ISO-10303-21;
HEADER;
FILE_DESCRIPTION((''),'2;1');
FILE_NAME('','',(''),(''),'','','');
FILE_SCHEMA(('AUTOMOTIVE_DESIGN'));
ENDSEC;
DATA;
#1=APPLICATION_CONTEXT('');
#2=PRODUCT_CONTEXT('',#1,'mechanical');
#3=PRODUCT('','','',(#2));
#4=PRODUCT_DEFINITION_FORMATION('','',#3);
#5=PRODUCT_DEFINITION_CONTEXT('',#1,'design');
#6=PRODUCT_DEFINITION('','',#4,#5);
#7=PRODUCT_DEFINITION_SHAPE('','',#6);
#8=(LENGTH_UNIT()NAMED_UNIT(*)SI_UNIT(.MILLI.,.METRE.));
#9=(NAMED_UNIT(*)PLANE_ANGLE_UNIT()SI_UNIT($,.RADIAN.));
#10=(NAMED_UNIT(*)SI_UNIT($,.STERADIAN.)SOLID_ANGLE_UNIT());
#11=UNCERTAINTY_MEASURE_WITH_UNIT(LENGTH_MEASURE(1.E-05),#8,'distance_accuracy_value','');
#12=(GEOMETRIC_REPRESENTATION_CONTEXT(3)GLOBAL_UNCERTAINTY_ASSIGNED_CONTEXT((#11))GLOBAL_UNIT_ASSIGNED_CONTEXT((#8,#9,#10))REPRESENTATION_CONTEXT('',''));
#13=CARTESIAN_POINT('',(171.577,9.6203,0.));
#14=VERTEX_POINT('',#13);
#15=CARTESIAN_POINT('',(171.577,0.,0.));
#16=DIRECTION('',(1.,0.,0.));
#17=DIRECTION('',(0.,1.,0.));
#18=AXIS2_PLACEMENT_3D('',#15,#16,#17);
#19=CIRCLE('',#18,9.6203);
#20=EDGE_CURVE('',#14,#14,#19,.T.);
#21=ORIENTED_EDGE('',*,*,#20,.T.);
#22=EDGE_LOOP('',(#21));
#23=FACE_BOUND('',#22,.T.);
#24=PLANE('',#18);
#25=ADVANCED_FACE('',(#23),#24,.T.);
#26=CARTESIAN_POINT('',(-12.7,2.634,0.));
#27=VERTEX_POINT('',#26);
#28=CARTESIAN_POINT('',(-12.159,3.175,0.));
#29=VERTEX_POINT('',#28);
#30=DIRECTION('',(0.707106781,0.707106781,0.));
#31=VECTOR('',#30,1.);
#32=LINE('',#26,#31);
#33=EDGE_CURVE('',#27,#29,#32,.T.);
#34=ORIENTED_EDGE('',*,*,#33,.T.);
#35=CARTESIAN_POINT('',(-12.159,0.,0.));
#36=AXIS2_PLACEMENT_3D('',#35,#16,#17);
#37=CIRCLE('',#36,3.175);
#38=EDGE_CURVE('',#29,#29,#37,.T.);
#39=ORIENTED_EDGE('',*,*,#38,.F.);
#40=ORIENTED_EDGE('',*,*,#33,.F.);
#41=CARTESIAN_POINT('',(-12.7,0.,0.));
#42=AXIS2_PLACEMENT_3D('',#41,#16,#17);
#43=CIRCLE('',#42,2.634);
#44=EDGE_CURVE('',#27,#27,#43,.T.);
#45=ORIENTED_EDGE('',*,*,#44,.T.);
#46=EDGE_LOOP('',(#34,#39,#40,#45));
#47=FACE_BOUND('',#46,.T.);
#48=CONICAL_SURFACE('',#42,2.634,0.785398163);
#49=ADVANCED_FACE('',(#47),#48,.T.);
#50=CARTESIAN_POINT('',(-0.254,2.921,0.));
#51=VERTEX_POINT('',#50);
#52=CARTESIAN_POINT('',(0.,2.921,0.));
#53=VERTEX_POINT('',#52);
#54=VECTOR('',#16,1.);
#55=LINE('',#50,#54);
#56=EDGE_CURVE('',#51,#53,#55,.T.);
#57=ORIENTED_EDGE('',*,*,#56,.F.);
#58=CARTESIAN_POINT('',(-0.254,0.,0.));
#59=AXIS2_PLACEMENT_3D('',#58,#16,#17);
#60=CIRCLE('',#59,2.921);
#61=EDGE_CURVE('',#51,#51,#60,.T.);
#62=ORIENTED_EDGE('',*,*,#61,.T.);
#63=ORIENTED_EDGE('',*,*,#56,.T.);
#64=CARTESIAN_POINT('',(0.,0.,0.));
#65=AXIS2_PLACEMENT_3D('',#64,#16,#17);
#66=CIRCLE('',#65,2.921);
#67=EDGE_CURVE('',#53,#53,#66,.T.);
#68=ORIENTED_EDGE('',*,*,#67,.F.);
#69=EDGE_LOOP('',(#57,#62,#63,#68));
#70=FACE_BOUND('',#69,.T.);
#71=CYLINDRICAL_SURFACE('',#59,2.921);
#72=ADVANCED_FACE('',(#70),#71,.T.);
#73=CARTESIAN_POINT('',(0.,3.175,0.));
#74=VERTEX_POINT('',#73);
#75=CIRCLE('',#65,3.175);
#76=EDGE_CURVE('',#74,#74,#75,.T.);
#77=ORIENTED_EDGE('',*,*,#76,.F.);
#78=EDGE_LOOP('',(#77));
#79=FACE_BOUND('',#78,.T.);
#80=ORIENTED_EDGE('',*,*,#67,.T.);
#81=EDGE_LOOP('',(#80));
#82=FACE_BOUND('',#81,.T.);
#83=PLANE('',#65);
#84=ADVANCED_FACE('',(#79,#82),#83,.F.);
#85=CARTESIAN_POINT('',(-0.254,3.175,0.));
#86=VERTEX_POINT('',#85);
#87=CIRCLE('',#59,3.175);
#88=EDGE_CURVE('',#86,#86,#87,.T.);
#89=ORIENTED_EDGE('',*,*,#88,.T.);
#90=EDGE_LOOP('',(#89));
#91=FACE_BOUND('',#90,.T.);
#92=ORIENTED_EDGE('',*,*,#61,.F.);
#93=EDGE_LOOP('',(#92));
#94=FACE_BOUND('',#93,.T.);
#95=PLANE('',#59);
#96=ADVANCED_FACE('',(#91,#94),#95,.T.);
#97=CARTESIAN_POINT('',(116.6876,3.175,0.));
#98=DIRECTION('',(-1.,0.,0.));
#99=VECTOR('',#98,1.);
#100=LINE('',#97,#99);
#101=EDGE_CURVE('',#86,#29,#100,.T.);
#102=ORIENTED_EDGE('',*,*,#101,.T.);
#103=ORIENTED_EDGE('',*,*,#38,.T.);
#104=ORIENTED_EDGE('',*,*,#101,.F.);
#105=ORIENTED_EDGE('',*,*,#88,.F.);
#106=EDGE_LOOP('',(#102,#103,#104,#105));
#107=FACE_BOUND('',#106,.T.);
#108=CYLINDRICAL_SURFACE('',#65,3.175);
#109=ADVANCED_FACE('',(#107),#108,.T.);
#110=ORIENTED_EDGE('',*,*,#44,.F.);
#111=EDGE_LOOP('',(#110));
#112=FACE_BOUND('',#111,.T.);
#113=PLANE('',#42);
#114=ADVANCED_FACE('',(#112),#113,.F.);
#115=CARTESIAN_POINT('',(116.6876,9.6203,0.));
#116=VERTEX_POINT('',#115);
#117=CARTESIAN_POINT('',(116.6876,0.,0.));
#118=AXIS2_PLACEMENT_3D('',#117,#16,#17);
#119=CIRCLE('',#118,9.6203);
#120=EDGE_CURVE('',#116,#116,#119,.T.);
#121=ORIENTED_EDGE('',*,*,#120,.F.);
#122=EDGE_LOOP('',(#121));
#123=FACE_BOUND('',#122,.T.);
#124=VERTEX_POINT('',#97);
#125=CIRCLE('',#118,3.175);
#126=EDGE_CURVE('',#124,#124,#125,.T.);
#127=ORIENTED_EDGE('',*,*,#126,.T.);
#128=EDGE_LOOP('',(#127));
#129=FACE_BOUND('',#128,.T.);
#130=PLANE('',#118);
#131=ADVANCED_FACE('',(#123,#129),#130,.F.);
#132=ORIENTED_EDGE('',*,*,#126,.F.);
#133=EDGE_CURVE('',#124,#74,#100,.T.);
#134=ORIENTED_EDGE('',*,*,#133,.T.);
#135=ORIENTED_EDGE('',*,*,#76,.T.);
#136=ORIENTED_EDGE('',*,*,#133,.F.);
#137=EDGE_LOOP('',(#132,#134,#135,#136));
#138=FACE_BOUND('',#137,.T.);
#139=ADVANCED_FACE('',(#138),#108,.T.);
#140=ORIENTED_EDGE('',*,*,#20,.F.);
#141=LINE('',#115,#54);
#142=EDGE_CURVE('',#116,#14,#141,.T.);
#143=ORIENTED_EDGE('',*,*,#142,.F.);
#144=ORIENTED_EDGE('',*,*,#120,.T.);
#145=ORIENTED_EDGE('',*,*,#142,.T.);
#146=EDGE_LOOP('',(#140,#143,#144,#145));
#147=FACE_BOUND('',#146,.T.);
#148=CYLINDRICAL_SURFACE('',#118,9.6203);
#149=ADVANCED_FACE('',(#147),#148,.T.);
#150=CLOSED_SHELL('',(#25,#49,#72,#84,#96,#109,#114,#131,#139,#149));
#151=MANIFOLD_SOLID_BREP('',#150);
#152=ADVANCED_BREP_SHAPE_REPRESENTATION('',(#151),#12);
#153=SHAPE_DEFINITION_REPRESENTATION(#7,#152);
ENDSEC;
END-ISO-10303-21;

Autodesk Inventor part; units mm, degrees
sketch "Sketch_1" plane through (0, 0, 0) normal (0, 0, 1) x (1, 0, 0)
  line L0 (171.577, 0) -> (0, 0)
  line L1 (0, 0) -> (0, 3.175)
  line L2 (0, 3.175) -> (116.6876, 3.175)
  line L3 (116.6876, 3.175) -> (116.6876, 9.6203)
  line L4 (116.6876, 9.6203) -> (171.577, 9.6203)
  line L5 (171.577, 9.6203) -> (171.577, 0)
  line L6 (171.577, 0) -> (0, 0)
revolve "Revolution1" add sketch "Sketch_1" angle 360 about axis through (171.577, 0, 0) along (1, 0, 0)
sketch "Sketch_3" plane through (0, 0, 0) normal (0, 0, 1) x (1, 0, 0)
  line L0 (0, 0) -> (-12.7, 0)
  line L1 (-12.7, 0) -> (-12.7, 2.634)
  line L2 (-12.7, 2.634) -> (-12.159, 3.175)
  line L3 (-12.159, 3.175) -> (0, 3.175)
  line L4 (0, 3.175) -> (0, 0)
  line L5 (0, 0) -> (-12.7, 0)
revolve "Revolution2" add sketch "Sketch_3" angle 360 about axis through (0, 0, 0) along (1, 0, 0)
thread "Thread1" size "1/4-28 UNF" class "2A" standard "ANSI Unified Screw Threads" length 12.159
sketch "Sketch_30" plane through (0, 0, 0) normal (0, 0, 1) x (1, 0, 0)
  line L0 (0, 0) -> (-0.254, 0)
  line L1 (-0.254, 2.921) -> (0, 2.921)
  line L2 (0, 2.921) -> (0, 3.429)
  line L3 (0, 3.429) -> (-0.254, 3.429)
  line L4 (-0.254, 3.429) -> (-0.254, 2.921)
revolve "Revolution3" cut sketch "Sketch_30" angle 360 about axis through (0, 0, 0) along (1, 0, 0)
ref_plane "dia1_XY" through (0, 3.175, 0) normal (1, 0, 0) x (0, 0, -1)
ref_plane "dia1_YZ" through (0, 3.175, 0) normal (0, 0, -1) x (0, 1, 0)
ref_plane "dia1_ZX" through (0, 3.175, 0) normal (0, 1, 0) x (1, 0, 0)
ref_plane "dia12_XY" through (0, 0, 10.9537) normal (1, 0, 0) x (0, 0, -1)
ref_plane "dia12_YZ" through (0, 0, 10.9537) normal (0, 0, -1) x (0, 1, 0)
ref_plane "dia12_ZX" through (0, 0, 10.9537) normal (0, 1, 0) x (1, 0, 0)
ref_plane "dia1r_XY" through (0, 0, 10.2235) normal (1, 0, 0) x (0, 0, -1)
ref_plane "dia1r_YZ" through (0, 0, 10.2235) normal (0, 0, -1) x (0, 1, 0)
ref_plane "dia1r_ZX" through (0, 0, 10.2235) normal (0, 1, 0) x (1, 0, 0)
ref_plane "dia2_XY" through (0, -3.175, 0) normal (1, 0, 0) x (0, 0, -1)
ref_plane "dia2_YZ" through (0, -3.175, 0) normal (0, 0, -1) x (0, 1, 0)
ref_plane "dia2_ZX" through (0, -3.175, 0) normal (0, 1, 0) x (1, 0, 0)
ref_plane "dia22_XY" through (0, 0, -10.9537) normal (1, 0, 0) x (0, 0, -1)
ref_plane "dia22_YZ" through (0, 0, -10.9537) normal (0, 0, -1) x (0, 1, 0)
ref_plane "dia22_ZX" through (0, 0, -10.9537) normal (0, 1, 0) x (1, 0, 0)
ref_plane "dia2r_XY" through (0, 0, -10.2235) normal (1, 0, 0) x (0, 0, -1)
ref_plane "dia2r_YZ" through (0, 0, -10.2235) normal (0, 0, -1) x (0, 1, 0)
ref_plane "dia2r_ZX" through (0, 0, -10.2235) normal (0, 1, 0) x (1, 0, 0)
ref_plane "rl1_XY" through (-12.7, 0, 0) normal (1, 0, 0) x (0, 0, -1)
ref_plane "rl1_YZ" through (-12.7, 0, 0) normal (0, 0, -1) x (0, 1, 0)
ref_plane "rl1_ZX" through (-12.7, 0, 0) normal (0, 1, 0) x (1, 0, 0)
ref_plane "rl2_XY" through (0, 0, 0) normal (1, 0, 0) x (0, 0, -1)
ref_plane "rl2_YZ" through (0, 0, 0) normal (0, 0, -1) x (0, 1, 0)
ref_plane "rl2_ZX" through (0, 0, 0) normal (0, 1, 0) x (1, 0, 0)
ref_plane "rod_cp_XY" through (0, 0, 0) normal (1, 0, 0) x (0, 0, -1)
ref_plane "rod_cp_YZ" through (0, 0, 0) normal (0, 0, -1) x (0, 1, 0)
ref_plane "rod_cp_ZX" through (0, 0, 0) normal (0, 1, 0) x (1, 0, 0)
ref_plane "stroke1_XY" through (0, 0, 0) normal (1, 0, 0) x (0, 0, -1)
ref_plane "stroke1_YZ" through (0, 0, 0) normal (0, 0, -1) x (0, 1, 0)
ref_plane "stroke1_ZX" through (0, 0, 0) normal (0, 1, 0) x (1, 0, 0)
ref_plane "thd1_XY" through (-12.7, 3.175, 0) normal (1, 0, 0) x (0, 0, -1)
ref_plane "thd1_YZ" through (-12.7, 3.175, 0) normal (0, 0, -1) x (0, 1, 0)
ref_plane "thd1_ZX" through (-12.7, 3.175, 0) normal (0, 1, 0) x (1, 0, 0)
ref_plane "thd2_XY" through (-12.7, -3.175, 0) normal (1, 0, 0) x (0, 0, -1)
ref_plane "thd2_YZ" through (-12.7, -3.175, 0) normal (0, 0, -1) x (0, 1, 0)
ref_plane "thd2_ZX" through (-12.7, -3.175, 0) normal (0, 1, 0) x (1, 0, 0)
ref_plane "to_rod_clevis_XY" through (-16.764, 0, 0) normal (1, 0, 0) x (0, 0, -1)
ref_plane "to_rod_clevis_YZ" through (-16.764, 0, 0) normal (0, 0, -1) x (0, 1, 0)
ref_plane "to_rod_clevis_ZX" through (-16.764, 0, 0) normal (0, 1, 0) x (1, 0, 0)
properties part number "C-043-R0000_rod"
